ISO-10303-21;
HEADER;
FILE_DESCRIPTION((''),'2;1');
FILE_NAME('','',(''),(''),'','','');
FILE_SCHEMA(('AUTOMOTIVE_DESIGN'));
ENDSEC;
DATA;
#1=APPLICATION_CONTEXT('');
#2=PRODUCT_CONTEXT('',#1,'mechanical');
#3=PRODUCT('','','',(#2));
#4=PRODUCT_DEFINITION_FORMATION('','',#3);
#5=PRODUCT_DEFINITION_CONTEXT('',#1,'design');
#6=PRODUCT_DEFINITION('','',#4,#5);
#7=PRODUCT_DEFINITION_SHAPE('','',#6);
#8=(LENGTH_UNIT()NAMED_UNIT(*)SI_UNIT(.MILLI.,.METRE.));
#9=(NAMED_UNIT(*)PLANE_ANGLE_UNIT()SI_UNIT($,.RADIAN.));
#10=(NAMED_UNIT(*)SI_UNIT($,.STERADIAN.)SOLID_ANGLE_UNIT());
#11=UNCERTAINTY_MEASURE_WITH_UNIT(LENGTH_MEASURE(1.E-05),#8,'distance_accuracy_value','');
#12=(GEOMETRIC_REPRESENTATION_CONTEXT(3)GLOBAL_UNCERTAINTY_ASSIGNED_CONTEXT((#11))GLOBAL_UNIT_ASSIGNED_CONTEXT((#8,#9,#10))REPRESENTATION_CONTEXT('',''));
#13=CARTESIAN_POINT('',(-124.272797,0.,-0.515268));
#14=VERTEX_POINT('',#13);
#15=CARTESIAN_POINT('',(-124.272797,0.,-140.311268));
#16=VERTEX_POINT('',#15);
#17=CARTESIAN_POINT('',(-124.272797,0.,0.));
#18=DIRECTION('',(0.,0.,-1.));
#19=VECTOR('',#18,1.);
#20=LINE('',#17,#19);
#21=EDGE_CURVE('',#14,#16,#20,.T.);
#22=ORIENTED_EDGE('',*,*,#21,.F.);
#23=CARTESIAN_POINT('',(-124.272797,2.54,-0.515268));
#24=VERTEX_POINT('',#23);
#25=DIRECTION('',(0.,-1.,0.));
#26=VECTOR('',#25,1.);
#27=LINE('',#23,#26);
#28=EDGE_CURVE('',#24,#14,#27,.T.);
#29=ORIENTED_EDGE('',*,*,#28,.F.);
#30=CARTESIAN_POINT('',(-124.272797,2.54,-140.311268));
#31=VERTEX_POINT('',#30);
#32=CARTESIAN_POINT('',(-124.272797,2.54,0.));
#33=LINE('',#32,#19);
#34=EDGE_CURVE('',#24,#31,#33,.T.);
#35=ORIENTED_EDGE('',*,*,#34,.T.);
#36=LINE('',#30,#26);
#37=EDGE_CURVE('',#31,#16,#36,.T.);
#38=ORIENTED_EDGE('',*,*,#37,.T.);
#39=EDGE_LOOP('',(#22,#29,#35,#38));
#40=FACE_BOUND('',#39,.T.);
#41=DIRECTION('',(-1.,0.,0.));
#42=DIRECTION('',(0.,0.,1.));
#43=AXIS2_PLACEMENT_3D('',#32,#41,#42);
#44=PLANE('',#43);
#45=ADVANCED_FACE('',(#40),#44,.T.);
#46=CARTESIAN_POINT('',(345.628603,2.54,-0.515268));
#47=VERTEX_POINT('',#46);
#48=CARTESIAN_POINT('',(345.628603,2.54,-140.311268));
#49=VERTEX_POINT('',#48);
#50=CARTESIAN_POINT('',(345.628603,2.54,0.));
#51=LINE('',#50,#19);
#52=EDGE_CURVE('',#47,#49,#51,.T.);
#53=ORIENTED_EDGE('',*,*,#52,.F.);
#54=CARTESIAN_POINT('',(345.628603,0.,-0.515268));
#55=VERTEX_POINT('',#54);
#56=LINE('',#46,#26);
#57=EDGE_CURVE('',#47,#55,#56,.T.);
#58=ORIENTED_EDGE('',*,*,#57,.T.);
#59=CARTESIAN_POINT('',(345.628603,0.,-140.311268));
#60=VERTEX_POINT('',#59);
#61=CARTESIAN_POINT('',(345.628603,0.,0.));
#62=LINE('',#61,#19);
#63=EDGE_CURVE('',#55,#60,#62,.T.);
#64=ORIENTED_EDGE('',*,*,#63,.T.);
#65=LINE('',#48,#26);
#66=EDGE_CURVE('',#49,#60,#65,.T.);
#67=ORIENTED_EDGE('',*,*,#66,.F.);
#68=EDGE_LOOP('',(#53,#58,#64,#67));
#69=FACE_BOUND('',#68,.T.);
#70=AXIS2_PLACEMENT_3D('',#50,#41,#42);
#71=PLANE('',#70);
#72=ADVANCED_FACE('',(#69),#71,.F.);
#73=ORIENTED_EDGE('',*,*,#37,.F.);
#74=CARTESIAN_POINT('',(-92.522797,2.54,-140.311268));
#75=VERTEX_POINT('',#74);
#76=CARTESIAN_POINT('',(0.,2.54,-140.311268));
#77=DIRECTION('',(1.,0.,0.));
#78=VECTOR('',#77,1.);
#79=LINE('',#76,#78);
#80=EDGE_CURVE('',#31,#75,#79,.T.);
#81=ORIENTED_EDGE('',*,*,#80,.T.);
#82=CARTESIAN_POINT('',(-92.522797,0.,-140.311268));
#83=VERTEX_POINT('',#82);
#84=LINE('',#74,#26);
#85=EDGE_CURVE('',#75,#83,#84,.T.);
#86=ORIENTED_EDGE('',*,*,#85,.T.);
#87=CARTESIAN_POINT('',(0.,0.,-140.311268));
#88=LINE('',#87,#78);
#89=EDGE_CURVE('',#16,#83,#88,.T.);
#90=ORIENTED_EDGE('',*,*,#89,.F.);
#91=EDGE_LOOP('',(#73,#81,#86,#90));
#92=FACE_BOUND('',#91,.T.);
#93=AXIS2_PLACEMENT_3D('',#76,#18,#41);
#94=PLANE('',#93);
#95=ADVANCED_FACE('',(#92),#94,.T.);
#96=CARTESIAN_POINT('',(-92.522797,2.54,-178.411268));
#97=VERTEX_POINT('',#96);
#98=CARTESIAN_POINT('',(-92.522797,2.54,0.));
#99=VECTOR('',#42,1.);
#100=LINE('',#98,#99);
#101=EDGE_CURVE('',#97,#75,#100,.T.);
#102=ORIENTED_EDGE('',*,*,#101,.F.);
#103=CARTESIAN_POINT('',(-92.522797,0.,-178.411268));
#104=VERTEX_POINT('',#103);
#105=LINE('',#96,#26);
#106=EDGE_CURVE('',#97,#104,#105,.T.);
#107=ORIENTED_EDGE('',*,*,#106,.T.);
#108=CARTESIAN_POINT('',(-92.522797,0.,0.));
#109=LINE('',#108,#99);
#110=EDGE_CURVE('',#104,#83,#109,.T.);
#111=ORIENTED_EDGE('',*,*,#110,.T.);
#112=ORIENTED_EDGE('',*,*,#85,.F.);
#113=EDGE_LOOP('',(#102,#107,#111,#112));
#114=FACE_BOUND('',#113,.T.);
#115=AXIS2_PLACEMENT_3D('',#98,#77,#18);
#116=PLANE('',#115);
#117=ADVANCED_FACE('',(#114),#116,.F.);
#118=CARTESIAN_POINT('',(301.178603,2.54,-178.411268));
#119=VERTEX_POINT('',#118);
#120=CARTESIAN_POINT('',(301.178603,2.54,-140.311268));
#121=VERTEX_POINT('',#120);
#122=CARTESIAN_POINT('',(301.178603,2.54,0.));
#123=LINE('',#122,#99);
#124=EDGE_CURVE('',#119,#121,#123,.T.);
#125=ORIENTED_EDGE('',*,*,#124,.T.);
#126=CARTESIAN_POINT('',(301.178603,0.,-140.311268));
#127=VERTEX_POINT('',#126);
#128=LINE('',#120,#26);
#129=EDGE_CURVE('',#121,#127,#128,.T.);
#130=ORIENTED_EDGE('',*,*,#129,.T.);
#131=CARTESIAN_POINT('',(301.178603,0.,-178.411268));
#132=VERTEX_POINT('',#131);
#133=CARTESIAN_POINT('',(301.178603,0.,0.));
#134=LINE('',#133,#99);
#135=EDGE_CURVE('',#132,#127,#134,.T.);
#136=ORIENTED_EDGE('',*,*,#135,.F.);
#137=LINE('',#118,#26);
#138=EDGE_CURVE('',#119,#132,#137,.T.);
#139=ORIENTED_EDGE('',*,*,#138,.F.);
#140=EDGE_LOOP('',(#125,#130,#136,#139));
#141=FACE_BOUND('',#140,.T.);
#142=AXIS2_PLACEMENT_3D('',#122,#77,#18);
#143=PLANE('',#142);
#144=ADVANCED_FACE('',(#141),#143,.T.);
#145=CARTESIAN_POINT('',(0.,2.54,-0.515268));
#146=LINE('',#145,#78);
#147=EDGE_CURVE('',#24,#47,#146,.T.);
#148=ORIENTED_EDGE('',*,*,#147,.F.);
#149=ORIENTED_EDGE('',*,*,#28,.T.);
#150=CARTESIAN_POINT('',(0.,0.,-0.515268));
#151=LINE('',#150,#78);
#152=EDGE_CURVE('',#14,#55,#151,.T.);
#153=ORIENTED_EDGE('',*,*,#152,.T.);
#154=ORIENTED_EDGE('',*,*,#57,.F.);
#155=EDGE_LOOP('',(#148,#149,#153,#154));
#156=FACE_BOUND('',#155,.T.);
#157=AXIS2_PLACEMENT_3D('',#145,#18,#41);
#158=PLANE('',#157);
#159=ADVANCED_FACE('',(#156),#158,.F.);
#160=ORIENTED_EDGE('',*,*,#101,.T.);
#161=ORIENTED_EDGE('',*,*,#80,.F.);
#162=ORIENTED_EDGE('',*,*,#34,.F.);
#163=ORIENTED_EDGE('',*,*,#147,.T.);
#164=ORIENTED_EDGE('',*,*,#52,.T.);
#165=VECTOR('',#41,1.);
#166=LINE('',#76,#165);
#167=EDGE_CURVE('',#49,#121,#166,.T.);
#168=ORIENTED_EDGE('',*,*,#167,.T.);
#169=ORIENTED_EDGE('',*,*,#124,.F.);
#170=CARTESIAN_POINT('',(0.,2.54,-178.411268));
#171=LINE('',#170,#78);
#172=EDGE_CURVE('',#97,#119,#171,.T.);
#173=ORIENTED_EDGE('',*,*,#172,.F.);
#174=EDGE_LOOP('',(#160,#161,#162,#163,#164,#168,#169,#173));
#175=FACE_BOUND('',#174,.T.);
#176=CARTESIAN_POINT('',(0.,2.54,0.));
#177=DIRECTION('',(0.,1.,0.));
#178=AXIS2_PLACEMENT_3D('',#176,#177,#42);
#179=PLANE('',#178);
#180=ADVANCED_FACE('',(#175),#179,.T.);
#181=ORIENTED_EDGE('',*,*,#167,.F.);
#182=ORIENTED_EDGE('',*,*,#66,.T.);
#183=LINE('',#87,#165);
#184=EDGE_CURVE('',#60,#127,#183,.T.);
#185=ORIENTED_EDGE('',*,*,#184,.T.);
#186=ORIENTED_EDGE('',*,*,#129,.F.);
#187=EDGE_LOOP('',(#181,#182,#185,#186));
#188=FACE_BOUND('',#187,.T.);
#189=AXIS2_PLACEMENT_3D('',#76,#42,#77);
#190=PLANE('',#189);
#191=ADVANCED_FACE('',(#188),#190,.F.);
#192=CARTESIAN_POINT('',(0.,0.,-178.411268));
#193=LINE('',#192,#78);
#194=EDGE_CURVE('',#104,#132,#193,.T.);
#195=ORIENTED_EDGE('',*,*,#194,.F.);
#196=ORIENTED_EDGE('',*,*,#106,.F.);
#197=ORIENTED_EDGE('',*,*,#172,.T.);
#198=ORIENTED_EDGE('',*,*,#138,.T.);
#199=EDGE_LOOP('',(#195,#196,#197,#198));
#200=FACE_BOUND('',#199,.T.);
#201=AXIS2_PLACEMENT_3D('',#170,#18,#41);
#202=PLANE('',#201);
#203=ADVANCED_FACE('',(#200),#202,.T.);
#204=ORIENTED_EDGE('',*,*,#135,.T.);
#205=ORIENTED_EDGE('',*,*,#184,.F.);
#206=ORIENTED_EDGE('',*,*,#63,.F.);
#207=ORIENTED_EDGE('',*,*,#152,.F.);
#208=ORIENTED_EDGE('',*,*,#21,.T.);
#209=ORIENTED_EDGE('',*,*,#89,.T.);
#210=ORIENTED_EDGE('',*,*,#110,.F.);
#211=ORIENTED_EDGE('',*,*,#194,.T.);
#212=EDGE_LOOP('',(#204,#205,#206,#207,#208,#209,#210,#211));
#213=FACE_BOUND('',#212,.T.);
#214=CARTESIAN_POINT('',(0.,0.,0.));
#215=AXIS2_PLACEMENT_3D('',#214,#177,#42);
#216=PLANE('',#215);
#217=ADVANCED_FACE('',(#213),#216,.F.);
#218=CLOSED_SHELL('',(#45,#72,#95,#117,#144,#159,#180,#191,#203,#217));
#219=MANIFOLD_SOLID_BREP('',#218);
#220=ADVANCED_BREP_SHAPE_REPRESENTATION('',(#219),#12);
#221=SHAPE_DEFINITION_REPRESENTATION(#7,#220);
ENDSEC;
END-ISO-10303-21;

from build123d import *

# Parameters (mm, degrees)
BOSS_EXTRUDE1_DEPTH = 2.54


with BuildPart() as part:
    # Sketch1 → Boss-Extrude1 (new body)
    with BuildSketch(Plane(origin=(0, 0, 0), x_dir=(1, 0, 0), z_dir=(0, 1, 0))):
        Polygon((-124.27279724, 140.311267915), (-124.27279724, 0.515267915), (345.628602808, 0.515267915), (345.628602808, 140.311267915), (301.178602808, 140.311267915), (301.178602808, 178.411267915), (-92.52279724, 178.411267915), (-92.52279724, 140.311267915), align=None)
    extrude(amount=BOSS_EXTRUDE1_DEPTH)


solid = part.part
